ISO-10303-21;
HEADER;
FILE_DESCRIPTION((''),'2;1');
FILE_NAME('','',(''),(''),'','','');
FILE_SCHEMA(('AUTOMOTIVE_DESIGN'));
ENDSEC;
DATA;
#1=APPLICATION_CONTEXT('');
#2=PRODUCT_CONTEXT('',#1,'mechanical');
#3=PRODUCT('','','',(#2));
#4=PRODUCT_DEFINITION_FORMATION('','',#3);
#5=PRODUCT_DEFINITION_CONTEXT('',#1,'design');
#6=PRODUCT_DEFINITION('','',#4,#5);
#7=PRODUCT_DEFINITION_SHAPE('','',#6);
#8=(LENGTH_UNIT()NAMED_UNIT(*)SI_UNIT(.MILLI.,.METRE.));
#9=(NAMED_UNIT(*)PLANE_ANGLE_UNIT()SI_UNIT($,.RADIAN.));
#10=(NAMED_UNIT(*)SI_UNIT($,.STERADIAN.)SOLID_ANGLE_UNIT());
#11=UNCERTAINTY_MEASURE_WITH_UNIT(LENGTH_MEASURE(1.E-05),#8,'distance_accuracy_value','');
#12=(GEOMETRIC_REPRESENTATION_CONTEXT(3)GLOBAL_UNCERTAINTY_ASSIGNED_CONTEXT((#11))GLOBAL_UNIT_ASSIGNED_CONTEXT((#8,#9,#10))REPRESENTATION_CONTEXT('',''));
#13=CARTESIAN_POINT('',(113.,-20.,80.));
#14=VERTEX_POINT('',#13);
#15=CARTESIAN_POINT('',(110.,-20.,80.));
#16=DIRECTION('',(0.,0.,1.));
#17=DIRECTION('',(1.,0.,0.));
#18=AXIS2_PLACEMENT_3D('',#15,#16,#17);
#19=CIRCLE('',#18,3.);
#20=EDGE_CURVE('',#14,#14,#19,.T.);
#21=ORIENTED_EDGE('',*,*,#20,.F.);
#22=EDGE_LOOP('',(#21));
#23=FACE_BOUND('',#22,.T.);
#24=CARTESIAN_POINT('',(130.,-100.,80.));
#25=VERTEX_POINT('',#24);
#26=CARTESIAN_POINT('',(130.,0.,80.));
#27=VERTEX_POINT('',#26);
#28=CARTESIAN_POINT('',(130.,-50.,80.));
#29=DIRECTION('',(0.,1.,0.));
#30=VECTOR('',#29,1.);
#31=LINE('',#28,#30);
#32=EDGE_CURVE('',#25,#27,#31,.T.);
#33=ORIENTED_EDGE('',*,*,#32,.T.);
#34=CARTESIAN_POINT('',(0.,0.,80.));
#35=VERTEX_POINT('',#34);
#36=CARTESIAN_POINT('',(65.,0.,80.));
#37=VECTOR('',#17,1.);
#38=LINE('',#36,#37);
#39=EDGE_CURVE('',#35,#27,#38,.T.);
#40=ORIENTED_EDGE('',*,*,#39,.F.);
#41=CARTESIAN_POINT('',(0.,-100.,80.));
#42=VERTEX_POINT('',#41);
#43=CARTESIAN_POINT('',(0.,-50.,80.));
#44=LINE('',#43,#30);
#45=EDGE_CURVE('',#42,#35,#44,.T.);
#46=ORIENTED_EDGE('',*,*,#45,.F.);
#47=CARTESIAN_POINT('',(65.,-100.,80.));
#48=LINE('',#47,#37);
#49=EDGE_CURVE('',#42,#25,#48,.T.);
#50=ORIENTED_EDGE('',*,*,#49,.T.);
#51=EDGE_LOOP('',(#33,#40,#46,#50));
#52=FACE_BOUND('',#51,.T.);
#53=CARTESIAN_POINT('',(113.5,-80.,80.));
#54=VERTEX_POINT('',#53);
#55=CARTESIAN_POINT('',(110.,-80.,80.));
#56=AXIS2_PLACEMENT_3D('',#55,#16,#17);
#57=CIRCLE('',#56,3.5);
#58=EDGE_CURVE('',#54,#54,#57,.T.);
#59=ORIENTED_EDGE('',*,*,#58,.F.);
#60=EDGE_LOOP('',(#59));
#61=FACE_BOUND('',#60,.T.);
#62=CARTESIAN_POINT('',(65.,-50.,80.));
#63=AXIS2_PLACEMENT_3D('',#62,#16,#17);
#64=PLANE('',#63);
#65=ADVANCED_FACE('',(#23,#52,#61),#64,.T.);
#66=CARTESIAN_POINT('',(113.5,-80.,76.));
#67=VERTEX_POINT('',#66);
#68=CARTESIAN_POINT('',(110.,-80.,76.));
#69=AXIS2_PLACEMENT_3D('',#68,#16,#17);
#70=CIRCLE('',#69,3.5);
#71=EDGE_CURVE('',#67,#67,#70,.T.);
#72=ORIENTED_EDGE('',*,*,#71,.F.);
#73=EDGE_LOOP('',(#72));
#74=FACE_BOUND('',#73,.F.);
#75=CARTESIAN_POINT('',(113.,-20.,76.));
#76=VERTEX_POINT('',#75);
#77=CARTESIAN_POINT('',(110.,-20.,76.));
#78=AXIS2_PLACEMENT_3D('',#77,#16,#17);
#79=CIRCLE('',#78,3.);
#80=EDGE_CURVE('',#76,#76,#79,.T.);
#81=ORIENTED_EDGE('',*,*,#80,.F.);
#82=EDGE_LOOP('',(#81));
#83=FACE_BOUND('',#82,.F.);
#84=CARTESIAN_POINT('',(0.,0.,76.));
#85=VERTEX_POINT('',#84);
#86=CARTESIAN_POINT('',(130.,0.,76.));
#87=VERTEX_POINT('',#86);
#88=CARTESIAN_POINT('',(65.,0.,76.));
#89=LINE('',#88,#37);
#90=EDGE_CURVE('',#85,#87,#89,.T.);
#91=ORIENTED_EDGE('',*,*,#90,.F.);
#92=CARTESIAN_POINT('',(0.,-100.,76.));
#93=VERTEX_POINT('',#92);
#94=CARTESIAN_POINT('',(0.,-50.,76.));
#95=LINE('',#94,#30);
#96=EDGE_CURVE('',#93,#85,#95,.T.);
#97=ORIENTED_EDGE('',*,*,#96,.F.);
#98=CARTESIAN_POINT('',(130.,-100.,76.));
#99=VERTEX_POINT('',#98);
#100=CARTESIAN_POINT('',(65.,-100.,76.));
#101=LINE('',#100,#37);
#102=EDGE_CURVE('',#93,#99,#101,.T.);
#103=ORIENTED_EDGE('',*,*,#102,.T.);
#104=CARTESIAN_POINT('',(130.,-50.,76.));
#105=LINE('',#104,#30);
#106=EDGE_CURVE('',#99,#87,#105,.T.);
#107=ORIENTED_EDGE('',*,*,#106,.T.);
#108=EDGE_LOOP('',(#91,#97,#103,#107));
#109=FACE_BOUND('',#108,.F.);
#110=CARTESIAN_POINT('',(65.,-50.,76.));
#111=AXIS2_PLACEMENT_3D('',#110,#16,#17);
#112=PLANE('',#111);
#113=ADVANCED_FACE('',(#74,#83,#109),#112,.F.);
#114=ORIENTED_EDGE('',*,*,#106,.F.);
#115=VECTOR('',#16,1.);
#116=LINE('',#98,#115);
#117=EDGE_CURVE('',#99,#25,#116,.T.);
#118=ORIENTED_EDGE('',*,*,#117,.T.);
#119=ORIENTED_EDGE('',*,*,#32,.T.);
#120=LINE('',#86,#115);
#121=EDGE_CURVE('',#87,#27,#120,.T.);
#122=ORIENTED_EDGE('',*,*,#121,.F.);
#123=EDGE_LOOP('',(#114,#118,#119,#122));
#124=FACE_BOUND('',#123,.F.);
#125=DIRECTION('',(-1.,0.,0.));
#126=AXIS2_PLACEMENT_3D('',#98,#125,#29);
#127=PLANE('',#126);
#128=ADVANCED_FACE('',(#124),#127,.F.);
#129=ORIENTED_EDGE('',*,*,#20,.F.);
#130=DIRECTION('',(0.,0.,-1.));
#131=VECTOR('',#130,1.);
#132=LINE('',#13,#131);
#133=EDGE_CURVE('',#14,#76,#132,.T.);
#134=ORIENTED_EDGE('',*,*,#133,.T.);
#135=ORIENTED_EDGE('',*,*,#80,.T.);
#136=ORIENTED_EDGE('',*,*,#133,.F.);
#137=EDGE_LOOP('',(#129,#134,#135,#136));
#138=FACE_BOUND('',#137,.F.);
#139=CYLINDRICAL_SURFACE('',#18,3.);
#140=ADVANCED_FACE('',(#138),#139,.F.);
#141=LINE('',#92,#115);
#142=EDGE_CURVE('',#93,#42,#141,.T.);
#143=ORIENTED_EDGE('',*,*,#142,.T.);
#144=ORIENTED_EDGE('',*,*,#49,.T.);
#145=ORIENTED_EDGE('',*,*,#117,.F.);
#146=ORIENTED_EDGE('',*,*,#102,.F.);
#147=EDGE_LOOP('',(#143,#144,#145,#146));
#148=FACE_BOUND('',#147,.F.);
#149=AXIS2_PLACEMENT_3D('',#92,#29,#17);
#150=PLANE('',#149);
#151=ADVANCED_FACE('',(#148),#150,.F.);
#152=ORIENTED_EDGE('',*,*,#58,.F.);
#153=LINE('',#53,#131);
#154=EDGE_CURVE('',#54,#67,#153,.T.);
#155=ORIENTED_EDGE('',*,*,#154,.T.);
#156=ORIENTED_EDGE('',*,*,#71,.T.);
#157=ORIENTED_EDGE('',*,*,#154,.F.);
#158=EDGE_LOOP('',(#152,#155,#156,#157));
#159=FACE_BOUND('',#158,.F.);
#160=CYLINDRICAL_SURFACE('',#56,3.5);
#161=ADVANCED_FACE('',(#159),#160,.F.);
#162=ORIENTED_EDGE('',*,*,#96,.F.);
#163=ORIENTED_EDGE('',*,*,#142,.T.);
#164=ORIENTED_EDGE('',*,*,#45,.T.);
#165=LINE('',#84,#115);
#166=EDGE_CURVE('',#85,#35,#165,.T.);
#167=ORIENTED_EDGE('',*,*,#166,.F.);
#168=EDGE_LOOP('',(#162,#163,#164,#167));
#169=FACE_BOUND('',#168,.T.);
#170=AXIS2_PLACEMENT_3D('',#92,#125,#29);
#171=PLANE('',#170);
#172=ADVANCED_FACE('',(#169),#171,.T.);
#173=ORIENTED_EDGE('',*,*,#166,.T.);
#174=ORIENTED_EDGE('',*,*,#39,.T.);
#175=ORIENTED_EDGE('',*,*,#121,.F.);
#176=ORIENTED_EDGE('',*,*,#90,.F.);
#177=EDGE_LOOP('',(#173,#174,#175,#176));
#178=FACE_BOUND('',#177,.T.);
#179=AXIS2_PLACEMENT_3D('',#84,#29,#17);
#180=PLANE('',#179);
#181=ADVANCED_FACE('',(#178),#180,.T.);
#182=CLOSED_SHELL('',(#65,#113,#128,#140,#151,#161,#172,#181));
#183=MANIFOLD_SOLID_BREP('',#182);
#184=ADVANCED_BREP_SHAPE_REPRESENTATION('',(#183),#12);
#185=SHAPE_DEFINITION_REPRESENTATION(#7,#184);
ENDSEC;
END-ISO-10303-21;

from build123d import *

# Parameters (mm, degrees)
SKETCH011_W   = 130
SKETCH011_H   = 100
PAD005_DEPTH  = 4
SKETCH013_R   = 3.5
HOLE004_DEPTH = 4.001
SKETCH014_R   = 3
HOLE005_DEPTH = 4.001


with BuildPart() as part:
    # Sketch011 → Pad005 (new body)
    with BuildSketch(Plane.XY.offset(76)):
        with Locations((65, -50)):
            Rectangle(SKETCH011_W, SKETCH011_H)
    extrude(amount=PAD005_DEPTH)

    # Sketch013 (on Face6 of Pad005) → Hole004 (cut, through all)
    with BuildSketch(Plane.XY.offset(80)):
        with Locations((110, -80)):
            Circle(SKETCH013_R)
    extrude(amount=-HOLE004_DEPTH, mode=Mode.SUBTRACT)

    # Sketch014 (on Face5 of Hole004) → Hole005 (cut, through all)
    with BuildSketch(Plane.XY.offset(80)):
        with Locations((110, -20)):
            Circle(SKETCH014_R)
    extrude(amount=-HOLE005_DEPTH, mode=Mode.SUBTRACT)


solid = part.part
